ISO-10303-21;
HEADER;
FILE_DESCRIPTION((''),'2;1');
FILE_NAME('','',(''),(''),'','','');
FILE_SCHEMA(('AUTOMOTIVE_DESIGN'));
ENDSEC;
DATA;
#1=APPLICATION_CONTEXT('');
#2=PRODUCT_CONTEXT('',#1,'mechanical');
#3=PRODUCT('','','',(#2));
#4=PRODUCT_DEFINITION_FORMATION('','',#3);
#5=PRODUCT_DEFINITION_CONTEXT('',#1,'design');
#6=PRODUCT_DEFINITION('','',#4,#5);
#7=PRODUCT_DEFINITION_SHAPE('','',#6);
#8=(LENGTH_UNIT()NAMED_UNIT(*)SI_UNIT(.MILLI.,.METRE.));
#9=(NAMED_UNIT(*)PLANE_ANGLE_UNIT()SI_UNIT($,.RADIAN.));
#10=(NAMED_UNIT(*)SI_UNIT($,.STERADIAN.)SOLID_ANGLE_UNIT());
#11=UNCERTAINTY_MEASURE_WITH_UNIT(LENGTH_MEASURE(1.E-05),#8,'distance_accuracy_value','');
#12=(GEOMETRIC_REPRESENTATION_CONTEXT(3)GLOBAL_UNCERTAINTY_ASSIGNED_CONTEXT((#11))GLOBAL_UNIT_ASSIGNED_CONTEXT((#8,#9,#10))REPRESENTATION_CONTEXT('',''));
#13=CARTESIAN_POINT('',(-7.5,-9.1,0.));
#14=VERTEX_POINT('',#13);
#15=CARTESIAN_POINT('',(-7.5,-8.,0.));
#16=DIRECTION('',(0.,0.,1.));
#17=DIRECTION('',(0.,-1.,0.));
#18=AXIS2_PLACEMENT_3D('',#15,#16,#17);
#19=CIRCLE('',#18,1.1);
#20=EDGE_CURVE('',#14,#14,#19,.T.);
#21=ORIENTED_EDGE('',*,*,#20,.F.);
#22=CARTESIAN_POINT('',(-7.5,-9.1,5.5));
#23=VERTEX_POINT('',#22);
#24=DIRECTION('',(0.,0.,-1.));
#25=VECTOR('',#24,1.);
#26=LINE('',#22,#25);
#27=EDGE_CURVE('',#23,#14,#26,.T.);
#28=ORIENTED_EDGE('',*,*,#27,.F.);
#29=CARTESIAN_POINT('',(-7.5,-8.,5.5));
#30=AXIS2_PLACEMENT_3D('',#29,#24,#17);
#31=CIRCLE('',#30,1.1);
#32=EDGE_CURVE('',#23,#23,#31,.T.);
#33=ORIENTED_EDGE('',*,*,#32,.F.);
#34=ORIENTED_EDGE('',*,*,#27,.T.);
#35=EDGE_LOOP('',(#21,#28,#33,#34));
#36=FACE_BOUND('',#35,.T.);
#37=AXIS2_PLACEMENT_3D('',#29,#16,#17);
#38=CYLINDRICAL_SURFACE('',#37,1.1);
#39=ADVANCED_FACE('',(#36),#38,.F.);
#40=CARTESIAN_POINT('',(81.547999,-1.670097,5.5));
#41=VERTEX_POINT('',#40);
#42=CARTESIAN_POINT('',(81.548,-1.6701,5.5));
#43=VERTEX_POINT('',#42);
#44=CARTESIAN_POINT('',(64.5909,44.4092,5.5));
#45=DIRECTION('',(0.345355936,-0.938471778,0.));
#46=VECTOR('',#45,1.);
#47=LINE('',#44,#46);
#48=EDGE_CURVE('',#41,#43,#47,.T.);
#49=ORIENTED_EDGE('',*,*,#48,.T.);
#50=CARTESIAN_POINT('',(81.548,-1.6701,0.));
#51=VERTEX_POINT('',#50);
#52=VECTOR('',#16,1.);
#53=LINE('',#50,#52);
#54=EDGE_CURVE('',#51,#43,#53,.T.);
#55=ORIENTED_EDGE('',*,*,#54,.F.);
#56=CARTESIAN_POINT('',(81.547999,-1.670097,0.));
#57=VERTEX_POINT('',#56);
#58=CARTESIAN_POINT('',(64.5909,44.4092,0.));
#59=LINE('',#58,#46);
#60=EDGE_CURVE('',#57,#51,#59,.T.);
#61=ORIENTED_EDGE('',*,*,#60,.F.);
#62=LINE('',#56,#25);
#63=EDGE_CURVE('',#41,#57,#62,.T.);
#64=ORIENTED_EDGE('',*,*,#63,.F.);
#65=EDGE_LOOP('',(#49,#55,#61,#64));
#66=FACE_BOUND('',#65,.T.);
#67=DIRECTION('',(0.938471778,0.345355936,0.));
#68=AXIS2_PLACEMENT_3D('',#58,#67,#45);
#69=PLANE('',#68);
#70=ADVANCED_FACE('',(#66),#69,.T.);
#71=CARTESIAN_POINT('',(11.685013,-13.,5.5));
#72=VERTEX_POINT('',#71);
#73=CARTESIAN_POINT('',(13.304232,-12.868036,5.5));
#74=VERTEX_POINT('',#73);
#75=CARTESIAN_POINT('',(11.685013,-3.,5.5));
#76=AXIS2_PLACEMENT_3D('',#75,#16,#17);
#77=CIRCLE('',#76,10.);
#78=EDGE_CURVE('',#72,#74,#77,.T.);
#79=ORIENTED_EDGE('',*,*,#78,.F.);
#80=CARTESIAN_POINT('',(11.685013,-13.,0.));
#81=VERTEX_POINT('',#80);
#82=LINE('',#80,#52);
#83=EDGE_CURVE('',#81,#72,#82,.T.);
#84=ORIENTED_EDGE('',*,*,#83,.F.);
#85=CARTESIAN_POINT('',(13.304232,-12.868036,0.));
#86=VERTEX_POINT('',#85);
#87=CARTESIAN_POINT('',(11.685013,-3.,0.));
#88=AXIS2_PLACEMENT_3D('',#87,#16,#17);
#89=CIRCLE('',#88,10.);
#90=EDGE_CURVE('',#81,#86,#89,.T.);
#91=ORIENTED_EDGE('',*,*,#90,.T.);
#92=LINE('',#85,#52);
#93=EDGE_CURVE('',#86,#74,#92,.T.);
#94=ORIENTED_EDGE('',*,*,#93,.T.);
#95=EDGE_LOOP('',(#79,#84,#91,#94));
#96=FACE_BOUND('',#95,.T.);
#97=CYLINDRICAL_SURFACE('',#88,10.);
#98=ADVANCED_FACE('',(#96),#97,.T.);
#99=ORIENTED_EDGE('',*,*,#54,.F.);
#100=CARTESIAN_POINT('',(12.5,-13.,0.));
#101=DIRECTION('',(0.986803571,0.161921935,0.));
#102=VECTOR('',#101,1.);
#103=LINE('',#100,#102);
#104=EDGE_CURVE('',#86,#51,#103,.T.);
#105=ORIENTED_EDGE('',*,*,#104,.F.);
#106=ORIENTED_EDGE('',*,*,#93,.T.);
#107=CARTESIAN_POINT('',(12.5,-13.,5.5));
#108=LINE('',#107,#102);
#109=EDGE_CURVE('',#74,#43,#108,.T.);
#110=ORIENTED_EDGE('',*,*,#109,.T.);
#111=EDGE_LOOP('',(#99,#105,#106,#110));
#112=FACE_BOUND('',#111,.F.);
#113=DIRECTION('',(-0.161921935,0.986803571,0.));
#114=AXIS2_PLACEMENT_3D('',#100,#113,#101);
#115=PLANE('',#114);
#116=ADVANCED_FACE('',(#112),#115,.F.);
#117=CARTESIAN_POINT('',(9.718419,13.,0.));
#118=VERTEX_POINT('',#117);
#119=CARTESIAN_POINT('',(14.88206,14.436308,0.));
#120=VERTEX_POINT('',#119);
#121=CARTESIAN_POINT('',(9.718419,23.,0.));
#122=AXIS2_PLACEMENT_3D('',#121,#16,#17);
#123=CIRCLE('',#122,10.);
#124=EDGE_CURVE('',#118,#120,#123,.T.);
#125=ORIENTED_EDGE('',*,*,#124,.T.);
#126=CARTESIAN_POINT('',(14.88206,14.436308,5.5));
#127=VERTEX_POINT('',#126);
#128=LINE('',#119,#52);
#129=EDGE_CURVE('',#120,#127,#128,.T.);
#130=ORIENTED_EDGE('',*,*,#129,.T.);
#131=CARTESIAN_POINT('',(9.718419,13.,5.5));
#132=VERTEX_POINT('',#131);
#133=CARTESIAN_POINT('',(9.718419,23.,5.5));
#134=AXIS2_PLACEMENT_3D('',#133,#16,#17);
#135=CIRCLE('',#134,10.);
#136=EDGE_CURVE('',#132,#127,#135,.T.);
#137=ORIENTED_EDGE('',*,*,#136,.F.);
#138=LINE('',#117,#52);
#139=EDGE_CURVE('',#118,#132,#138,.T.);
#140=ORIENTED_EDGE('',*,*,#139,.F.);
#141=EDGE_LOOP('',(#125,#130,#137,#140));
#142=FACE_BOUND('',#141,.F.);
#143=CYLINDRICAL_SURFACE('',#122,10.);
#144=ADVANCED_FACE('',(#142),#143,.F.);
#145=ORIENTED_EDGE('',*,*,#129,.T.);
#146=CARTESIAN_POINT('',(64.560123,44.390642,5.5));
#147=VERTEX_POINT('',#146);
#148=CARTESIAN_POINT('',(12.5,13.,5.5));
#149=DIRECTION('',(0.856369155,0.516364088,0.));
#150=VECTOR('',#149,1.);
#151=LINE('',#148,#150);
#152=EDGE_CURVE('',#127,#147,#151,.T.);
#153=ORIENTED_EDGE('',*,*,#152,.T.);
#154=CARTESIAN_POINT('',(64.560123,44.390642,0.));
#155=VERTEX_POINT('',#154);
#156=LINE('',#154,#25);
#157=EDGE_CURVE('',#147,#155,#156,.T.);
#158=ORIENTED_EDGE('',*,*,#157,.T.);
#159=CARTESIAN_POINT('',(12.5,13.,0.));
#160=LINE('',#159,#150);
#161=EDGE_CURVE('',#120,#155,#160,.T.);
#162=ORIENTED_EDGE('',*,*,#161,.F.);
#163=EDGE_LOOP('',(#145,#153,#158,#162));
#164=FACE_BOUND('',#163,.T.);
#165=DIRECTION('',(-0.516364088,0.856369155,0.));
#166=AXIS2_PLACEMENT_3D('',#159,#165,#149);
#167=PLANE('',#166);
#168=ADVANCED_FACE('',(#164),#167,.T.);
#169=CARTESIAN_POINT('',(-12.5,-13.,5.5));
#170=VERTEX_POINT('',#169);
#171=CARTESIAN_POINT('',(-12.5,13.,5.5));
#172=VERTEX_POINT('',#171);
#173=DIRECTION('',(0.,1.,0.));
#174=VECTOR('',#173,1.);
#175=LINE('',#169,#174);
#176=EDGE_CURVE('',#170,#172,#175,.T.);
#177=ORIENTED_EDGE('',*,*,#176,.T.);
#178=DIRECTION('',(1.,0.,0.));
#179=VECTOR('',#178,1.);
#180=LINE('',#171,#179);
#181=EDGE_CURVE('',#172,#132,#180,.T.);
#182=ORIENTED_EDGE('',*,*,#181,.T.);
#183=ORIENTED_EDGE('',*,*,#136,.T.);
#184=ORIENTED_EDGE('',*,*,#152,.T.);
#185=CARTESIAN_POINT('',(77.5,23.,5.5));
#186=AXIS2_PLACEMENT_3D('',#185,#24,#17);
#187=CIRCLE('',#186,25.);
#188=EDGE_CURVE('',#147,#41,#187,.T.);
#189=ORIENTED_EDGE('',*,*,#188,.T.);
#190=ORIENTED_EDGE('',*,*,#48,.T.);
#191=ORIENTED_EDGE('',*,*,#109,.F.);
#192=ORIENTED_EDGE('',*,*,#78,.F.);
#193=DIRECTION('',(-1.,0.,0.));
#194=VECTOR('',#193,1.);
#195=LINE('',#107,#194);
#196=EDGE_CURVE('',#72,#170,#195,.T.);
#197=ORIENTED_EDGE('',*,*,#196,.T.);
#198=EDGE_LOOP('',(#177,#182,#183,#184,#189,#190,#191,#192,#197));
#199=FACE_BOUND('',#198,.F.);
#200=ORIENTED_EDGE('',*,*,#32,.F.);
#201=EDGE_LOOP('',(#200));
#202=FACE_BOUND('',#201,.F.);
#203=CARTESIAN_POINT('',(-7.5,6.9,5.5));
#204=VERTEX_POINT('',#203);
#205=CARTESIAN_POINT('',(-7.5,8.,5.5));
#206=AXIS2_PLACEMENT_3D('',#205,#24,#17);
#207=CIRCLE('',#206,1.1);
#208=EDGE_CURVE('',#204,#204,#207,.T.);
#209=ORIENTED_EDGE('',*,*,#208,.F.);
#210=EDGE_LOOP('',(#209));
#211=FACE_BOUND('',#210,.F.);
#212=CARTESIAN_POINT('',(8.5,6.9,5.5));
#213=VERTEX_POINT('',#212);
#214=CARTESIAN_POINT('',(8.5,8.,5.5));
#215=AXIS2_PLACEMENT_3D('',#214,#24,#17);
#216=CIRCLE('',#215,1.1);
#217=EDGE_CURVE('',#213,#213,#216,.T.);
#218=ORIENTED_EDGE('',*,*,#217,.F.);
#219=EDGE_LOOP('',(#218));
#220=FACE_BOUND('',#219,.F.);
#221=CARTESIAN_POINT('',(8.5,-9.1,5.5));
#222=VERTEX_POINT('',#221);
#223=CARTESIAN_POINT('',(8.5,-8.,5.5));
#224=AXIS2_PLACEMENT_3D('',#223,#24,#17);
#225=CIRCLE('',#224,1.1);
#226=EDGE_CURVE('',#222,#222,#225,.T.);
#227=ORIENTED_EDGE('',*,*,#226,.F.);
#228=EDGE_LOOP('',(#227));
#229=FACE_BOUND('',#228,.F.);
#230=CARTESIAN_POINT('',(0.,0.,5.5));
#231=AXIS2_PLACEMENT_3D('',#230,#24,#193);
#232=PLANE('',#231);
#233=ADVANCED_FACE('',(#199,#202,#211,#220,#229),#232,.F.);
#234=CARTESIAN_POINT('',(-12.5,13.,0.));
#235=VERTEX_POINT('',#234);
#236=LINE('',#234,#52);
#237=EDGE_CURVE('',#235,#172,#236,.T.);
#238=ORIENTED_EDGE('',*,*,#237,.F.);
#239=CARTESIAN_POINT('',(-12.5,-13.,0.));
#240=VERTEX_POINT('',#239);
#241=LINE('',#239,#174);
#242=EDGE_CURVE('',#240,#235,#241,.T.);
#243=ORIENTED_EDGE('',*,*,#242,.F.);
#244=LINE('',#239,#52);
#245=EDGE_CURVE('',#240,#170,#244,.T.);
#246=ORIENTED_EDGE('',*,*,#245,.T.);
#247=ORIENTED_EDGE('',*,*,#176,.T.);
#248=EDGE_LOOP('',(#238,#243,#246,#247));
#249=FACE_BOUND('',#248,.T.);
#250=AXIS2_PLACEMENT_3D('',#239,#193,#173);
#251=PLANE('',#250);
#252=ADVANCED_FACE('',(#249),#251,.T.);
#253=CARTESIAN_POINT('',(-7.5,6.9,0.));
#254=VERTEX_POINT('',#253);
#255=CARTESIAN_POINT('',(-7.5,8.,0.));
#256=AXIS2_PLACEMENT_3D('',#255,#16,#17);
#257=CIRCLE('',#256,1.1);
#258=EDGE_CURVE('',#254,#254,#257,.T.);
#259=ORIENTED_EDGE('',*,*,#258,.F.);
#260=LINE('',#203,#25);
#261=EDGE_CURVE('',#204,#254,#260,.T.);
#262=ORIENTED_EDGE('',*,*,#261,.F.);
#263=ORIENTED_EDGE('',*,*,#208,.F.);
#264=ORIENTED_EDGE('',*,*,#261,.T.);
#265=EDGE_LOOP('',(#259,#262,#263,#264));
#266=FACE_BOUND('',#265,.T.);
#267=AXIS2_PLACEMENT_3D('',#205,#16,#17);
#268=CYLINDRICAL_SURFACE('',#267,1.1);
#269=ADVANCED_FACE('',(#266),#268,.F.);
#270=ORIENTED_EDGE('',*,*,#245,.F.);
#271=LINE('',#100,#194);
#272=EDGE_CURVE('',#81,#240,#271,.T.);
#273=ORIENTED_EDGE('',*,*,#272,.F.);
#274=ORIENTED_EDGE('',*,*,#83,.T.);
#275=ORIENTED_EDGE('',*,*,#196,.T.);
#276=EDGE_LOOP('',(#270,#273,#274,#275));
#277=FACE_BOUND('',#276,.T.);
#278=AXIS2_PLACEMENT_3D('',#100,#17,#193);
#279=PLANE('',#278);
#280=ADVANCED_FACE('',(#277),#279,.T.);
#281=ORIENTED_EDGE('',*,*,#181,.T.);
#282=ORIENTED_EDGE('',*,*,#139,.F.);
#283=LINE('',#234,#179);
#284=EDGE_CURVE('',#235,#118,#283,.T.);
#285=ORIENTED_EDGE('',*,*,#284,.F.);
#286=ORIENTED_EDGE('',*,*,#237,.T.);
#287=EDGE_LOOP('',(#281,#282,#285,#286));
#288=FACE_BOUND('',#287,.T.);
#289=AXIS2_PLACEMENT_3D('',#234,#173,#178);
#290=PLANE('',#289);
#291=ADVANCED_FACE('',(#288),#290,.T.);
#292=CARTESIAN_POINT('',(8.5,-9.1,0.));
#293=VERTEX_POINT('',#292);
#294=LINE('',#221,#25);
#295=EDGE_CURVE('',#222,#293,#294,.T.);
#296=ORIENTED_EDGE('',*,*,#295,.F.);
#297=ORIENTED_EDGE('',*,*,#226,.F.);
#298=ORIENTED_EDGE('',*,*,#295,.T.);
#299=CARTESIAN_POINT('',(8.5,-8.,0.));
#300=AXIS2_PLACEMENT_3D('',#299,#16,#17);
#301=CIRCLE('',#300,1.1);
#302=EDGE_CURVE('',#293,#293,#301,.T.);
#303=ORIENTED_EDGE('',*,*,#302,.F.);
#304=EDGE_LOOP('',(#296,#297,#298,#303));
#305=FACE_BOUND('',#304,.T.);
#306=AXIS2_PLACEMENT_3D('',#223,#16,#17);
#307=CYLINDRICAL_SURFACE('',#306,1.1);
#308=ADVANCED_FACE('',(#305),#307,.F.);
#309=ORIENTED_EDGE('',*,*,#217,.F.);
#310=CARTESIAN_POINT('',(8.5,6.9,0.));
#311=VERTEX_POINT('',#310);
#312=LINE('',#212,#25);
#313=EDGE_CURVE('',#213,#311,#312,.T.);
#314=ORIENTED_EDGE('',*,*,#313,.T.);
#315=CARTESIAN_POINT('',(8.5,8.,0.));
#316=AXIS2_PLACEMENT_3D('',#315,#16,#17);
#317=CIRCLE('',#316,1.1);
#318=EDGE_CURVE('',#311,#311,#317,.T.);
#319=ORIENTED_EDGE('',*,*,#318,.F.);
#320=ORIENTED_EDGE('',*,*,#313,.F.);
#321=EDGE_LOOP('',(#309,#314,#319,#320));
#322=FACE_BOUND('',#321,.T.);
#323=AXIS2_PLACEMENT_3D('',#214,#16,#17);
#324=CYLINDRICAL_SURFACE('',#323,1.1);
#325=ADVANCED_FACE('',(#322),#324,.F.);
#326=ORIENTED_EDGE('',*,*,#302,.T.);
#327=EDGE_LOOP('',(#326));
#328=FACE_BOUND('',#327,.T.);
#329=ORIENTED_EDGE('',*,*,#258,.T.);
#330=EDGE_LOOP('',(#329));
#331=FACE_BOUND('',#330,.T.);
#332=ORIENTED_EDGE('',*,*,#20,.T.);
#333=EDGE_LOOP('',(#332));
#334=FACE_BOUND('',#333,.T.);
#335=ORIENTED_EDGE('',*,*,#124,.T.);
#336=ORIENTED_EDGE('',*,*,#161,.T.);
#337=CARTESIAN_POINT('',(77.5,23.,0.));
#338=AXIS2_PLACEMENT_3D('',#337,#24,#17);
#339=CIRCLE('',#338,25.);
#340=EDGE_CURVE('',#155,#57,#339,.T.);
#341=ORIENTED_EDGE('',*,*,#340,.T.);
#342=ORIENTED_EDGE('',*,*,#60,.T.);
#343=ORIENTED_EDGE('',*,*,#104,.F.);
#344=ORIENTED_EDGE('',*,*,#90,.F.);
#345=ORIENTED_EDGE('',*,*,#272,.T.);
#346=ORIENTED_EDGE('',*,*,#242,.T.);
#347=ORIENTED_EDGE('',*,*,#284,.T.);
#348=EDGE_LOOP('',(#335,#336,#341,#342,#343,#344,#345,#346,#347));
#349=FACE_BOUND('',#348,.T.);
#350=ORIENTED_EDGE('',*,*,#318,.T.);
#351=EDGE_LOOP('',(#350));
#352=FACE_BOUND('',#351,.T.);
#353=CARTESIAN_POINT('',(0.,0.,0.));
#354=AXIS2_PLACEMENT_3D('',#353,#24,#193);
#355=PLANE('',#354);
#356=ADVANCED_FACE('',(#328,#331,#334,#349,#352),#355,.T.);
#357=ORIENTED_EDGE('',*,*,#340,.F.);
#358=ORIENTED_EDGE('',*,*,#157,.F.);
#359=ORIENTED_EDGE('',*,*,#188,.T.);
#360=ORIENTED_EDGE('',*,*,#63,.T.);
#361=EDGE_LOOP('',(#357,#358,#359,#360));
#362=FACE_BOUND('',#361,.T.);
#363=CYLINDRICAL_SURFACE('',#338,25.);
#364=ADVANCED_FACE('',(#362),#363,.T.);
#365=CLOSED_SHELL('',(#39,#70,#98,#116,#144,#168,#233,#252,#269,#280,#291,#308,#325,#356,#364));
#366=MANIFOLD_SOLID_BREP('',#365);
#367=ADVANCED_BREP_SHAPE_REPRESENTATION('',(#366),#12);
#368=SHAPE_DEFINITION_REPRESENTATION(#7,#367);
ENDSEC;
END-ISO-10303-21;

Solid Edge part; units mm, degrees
sketch "Sketch1" plane through (0, 0, 0) normal (0, 0, 1) x (1, 0, 0)
  line L0 (12.5, -13) -> (-12.5, -13)
  line L1 (-12.5, -13) -> (-12.5, 13)
  line L2 (-12.5, 13) -> (12.5, 13)
  line L3 (12.5, 13) -> (12.5, -13)
  dimension "D1" = 26
  dimension "D2" = 25
extrude "Protrusion1" add sketch "Sketch1" along normal blind 5.5
hole "Hole_1" at (-7.5, -8, 5.5) direction (0, 0, -1) diameter 2.2 end up to next
hole "Hole1" at (-7.5, 8, 5.5) direction (0, 0, -1) diameter 2.2 end up to next
hole "Hole2" at (8.5, 8, 5.5) direction (0, 0, -1) diameter 2.2 end up to next
hole "Hole3" at (8.5, -8, 5.5) direction (0, 0, -1) diameter 2.2 end up to next
sketch "Sketch2" plane through (0, 0, 0) normal (0, 0, -1) x (0, -1, 0)
  circle A0 centre (-23, -77.5) radius 25
  dimension "D1" = 10
  dimension "D2" = 90
extrude "ExtrudedProtrusion_2" add sketch "Sketch2" against normal blind 5.5
sketch "Sketch3" plane through (0, 0, 0) normal (0, 0, -1) x (-1, 0, 0)
  line L0 (-12.5, -13) -> (-81.548, -1.6701)
  line L1 (-64.5909, 44.4092) -> (-81.548, -1.6701)
  line L2 (-12.5, 13) -> (-64.5909, 44.4092)
  line L3 (-12.5, -13) -> (-12.5, 13)
extrude "ExtrudedProtrusion_5" add sketch "Sketch3" against normal blind 5.5
fillet "Round_2" radius 10 2 edges at (12.5, 13, 2.75) (12.5, -13, 2.75)
properties material "木材, アッシュ"
